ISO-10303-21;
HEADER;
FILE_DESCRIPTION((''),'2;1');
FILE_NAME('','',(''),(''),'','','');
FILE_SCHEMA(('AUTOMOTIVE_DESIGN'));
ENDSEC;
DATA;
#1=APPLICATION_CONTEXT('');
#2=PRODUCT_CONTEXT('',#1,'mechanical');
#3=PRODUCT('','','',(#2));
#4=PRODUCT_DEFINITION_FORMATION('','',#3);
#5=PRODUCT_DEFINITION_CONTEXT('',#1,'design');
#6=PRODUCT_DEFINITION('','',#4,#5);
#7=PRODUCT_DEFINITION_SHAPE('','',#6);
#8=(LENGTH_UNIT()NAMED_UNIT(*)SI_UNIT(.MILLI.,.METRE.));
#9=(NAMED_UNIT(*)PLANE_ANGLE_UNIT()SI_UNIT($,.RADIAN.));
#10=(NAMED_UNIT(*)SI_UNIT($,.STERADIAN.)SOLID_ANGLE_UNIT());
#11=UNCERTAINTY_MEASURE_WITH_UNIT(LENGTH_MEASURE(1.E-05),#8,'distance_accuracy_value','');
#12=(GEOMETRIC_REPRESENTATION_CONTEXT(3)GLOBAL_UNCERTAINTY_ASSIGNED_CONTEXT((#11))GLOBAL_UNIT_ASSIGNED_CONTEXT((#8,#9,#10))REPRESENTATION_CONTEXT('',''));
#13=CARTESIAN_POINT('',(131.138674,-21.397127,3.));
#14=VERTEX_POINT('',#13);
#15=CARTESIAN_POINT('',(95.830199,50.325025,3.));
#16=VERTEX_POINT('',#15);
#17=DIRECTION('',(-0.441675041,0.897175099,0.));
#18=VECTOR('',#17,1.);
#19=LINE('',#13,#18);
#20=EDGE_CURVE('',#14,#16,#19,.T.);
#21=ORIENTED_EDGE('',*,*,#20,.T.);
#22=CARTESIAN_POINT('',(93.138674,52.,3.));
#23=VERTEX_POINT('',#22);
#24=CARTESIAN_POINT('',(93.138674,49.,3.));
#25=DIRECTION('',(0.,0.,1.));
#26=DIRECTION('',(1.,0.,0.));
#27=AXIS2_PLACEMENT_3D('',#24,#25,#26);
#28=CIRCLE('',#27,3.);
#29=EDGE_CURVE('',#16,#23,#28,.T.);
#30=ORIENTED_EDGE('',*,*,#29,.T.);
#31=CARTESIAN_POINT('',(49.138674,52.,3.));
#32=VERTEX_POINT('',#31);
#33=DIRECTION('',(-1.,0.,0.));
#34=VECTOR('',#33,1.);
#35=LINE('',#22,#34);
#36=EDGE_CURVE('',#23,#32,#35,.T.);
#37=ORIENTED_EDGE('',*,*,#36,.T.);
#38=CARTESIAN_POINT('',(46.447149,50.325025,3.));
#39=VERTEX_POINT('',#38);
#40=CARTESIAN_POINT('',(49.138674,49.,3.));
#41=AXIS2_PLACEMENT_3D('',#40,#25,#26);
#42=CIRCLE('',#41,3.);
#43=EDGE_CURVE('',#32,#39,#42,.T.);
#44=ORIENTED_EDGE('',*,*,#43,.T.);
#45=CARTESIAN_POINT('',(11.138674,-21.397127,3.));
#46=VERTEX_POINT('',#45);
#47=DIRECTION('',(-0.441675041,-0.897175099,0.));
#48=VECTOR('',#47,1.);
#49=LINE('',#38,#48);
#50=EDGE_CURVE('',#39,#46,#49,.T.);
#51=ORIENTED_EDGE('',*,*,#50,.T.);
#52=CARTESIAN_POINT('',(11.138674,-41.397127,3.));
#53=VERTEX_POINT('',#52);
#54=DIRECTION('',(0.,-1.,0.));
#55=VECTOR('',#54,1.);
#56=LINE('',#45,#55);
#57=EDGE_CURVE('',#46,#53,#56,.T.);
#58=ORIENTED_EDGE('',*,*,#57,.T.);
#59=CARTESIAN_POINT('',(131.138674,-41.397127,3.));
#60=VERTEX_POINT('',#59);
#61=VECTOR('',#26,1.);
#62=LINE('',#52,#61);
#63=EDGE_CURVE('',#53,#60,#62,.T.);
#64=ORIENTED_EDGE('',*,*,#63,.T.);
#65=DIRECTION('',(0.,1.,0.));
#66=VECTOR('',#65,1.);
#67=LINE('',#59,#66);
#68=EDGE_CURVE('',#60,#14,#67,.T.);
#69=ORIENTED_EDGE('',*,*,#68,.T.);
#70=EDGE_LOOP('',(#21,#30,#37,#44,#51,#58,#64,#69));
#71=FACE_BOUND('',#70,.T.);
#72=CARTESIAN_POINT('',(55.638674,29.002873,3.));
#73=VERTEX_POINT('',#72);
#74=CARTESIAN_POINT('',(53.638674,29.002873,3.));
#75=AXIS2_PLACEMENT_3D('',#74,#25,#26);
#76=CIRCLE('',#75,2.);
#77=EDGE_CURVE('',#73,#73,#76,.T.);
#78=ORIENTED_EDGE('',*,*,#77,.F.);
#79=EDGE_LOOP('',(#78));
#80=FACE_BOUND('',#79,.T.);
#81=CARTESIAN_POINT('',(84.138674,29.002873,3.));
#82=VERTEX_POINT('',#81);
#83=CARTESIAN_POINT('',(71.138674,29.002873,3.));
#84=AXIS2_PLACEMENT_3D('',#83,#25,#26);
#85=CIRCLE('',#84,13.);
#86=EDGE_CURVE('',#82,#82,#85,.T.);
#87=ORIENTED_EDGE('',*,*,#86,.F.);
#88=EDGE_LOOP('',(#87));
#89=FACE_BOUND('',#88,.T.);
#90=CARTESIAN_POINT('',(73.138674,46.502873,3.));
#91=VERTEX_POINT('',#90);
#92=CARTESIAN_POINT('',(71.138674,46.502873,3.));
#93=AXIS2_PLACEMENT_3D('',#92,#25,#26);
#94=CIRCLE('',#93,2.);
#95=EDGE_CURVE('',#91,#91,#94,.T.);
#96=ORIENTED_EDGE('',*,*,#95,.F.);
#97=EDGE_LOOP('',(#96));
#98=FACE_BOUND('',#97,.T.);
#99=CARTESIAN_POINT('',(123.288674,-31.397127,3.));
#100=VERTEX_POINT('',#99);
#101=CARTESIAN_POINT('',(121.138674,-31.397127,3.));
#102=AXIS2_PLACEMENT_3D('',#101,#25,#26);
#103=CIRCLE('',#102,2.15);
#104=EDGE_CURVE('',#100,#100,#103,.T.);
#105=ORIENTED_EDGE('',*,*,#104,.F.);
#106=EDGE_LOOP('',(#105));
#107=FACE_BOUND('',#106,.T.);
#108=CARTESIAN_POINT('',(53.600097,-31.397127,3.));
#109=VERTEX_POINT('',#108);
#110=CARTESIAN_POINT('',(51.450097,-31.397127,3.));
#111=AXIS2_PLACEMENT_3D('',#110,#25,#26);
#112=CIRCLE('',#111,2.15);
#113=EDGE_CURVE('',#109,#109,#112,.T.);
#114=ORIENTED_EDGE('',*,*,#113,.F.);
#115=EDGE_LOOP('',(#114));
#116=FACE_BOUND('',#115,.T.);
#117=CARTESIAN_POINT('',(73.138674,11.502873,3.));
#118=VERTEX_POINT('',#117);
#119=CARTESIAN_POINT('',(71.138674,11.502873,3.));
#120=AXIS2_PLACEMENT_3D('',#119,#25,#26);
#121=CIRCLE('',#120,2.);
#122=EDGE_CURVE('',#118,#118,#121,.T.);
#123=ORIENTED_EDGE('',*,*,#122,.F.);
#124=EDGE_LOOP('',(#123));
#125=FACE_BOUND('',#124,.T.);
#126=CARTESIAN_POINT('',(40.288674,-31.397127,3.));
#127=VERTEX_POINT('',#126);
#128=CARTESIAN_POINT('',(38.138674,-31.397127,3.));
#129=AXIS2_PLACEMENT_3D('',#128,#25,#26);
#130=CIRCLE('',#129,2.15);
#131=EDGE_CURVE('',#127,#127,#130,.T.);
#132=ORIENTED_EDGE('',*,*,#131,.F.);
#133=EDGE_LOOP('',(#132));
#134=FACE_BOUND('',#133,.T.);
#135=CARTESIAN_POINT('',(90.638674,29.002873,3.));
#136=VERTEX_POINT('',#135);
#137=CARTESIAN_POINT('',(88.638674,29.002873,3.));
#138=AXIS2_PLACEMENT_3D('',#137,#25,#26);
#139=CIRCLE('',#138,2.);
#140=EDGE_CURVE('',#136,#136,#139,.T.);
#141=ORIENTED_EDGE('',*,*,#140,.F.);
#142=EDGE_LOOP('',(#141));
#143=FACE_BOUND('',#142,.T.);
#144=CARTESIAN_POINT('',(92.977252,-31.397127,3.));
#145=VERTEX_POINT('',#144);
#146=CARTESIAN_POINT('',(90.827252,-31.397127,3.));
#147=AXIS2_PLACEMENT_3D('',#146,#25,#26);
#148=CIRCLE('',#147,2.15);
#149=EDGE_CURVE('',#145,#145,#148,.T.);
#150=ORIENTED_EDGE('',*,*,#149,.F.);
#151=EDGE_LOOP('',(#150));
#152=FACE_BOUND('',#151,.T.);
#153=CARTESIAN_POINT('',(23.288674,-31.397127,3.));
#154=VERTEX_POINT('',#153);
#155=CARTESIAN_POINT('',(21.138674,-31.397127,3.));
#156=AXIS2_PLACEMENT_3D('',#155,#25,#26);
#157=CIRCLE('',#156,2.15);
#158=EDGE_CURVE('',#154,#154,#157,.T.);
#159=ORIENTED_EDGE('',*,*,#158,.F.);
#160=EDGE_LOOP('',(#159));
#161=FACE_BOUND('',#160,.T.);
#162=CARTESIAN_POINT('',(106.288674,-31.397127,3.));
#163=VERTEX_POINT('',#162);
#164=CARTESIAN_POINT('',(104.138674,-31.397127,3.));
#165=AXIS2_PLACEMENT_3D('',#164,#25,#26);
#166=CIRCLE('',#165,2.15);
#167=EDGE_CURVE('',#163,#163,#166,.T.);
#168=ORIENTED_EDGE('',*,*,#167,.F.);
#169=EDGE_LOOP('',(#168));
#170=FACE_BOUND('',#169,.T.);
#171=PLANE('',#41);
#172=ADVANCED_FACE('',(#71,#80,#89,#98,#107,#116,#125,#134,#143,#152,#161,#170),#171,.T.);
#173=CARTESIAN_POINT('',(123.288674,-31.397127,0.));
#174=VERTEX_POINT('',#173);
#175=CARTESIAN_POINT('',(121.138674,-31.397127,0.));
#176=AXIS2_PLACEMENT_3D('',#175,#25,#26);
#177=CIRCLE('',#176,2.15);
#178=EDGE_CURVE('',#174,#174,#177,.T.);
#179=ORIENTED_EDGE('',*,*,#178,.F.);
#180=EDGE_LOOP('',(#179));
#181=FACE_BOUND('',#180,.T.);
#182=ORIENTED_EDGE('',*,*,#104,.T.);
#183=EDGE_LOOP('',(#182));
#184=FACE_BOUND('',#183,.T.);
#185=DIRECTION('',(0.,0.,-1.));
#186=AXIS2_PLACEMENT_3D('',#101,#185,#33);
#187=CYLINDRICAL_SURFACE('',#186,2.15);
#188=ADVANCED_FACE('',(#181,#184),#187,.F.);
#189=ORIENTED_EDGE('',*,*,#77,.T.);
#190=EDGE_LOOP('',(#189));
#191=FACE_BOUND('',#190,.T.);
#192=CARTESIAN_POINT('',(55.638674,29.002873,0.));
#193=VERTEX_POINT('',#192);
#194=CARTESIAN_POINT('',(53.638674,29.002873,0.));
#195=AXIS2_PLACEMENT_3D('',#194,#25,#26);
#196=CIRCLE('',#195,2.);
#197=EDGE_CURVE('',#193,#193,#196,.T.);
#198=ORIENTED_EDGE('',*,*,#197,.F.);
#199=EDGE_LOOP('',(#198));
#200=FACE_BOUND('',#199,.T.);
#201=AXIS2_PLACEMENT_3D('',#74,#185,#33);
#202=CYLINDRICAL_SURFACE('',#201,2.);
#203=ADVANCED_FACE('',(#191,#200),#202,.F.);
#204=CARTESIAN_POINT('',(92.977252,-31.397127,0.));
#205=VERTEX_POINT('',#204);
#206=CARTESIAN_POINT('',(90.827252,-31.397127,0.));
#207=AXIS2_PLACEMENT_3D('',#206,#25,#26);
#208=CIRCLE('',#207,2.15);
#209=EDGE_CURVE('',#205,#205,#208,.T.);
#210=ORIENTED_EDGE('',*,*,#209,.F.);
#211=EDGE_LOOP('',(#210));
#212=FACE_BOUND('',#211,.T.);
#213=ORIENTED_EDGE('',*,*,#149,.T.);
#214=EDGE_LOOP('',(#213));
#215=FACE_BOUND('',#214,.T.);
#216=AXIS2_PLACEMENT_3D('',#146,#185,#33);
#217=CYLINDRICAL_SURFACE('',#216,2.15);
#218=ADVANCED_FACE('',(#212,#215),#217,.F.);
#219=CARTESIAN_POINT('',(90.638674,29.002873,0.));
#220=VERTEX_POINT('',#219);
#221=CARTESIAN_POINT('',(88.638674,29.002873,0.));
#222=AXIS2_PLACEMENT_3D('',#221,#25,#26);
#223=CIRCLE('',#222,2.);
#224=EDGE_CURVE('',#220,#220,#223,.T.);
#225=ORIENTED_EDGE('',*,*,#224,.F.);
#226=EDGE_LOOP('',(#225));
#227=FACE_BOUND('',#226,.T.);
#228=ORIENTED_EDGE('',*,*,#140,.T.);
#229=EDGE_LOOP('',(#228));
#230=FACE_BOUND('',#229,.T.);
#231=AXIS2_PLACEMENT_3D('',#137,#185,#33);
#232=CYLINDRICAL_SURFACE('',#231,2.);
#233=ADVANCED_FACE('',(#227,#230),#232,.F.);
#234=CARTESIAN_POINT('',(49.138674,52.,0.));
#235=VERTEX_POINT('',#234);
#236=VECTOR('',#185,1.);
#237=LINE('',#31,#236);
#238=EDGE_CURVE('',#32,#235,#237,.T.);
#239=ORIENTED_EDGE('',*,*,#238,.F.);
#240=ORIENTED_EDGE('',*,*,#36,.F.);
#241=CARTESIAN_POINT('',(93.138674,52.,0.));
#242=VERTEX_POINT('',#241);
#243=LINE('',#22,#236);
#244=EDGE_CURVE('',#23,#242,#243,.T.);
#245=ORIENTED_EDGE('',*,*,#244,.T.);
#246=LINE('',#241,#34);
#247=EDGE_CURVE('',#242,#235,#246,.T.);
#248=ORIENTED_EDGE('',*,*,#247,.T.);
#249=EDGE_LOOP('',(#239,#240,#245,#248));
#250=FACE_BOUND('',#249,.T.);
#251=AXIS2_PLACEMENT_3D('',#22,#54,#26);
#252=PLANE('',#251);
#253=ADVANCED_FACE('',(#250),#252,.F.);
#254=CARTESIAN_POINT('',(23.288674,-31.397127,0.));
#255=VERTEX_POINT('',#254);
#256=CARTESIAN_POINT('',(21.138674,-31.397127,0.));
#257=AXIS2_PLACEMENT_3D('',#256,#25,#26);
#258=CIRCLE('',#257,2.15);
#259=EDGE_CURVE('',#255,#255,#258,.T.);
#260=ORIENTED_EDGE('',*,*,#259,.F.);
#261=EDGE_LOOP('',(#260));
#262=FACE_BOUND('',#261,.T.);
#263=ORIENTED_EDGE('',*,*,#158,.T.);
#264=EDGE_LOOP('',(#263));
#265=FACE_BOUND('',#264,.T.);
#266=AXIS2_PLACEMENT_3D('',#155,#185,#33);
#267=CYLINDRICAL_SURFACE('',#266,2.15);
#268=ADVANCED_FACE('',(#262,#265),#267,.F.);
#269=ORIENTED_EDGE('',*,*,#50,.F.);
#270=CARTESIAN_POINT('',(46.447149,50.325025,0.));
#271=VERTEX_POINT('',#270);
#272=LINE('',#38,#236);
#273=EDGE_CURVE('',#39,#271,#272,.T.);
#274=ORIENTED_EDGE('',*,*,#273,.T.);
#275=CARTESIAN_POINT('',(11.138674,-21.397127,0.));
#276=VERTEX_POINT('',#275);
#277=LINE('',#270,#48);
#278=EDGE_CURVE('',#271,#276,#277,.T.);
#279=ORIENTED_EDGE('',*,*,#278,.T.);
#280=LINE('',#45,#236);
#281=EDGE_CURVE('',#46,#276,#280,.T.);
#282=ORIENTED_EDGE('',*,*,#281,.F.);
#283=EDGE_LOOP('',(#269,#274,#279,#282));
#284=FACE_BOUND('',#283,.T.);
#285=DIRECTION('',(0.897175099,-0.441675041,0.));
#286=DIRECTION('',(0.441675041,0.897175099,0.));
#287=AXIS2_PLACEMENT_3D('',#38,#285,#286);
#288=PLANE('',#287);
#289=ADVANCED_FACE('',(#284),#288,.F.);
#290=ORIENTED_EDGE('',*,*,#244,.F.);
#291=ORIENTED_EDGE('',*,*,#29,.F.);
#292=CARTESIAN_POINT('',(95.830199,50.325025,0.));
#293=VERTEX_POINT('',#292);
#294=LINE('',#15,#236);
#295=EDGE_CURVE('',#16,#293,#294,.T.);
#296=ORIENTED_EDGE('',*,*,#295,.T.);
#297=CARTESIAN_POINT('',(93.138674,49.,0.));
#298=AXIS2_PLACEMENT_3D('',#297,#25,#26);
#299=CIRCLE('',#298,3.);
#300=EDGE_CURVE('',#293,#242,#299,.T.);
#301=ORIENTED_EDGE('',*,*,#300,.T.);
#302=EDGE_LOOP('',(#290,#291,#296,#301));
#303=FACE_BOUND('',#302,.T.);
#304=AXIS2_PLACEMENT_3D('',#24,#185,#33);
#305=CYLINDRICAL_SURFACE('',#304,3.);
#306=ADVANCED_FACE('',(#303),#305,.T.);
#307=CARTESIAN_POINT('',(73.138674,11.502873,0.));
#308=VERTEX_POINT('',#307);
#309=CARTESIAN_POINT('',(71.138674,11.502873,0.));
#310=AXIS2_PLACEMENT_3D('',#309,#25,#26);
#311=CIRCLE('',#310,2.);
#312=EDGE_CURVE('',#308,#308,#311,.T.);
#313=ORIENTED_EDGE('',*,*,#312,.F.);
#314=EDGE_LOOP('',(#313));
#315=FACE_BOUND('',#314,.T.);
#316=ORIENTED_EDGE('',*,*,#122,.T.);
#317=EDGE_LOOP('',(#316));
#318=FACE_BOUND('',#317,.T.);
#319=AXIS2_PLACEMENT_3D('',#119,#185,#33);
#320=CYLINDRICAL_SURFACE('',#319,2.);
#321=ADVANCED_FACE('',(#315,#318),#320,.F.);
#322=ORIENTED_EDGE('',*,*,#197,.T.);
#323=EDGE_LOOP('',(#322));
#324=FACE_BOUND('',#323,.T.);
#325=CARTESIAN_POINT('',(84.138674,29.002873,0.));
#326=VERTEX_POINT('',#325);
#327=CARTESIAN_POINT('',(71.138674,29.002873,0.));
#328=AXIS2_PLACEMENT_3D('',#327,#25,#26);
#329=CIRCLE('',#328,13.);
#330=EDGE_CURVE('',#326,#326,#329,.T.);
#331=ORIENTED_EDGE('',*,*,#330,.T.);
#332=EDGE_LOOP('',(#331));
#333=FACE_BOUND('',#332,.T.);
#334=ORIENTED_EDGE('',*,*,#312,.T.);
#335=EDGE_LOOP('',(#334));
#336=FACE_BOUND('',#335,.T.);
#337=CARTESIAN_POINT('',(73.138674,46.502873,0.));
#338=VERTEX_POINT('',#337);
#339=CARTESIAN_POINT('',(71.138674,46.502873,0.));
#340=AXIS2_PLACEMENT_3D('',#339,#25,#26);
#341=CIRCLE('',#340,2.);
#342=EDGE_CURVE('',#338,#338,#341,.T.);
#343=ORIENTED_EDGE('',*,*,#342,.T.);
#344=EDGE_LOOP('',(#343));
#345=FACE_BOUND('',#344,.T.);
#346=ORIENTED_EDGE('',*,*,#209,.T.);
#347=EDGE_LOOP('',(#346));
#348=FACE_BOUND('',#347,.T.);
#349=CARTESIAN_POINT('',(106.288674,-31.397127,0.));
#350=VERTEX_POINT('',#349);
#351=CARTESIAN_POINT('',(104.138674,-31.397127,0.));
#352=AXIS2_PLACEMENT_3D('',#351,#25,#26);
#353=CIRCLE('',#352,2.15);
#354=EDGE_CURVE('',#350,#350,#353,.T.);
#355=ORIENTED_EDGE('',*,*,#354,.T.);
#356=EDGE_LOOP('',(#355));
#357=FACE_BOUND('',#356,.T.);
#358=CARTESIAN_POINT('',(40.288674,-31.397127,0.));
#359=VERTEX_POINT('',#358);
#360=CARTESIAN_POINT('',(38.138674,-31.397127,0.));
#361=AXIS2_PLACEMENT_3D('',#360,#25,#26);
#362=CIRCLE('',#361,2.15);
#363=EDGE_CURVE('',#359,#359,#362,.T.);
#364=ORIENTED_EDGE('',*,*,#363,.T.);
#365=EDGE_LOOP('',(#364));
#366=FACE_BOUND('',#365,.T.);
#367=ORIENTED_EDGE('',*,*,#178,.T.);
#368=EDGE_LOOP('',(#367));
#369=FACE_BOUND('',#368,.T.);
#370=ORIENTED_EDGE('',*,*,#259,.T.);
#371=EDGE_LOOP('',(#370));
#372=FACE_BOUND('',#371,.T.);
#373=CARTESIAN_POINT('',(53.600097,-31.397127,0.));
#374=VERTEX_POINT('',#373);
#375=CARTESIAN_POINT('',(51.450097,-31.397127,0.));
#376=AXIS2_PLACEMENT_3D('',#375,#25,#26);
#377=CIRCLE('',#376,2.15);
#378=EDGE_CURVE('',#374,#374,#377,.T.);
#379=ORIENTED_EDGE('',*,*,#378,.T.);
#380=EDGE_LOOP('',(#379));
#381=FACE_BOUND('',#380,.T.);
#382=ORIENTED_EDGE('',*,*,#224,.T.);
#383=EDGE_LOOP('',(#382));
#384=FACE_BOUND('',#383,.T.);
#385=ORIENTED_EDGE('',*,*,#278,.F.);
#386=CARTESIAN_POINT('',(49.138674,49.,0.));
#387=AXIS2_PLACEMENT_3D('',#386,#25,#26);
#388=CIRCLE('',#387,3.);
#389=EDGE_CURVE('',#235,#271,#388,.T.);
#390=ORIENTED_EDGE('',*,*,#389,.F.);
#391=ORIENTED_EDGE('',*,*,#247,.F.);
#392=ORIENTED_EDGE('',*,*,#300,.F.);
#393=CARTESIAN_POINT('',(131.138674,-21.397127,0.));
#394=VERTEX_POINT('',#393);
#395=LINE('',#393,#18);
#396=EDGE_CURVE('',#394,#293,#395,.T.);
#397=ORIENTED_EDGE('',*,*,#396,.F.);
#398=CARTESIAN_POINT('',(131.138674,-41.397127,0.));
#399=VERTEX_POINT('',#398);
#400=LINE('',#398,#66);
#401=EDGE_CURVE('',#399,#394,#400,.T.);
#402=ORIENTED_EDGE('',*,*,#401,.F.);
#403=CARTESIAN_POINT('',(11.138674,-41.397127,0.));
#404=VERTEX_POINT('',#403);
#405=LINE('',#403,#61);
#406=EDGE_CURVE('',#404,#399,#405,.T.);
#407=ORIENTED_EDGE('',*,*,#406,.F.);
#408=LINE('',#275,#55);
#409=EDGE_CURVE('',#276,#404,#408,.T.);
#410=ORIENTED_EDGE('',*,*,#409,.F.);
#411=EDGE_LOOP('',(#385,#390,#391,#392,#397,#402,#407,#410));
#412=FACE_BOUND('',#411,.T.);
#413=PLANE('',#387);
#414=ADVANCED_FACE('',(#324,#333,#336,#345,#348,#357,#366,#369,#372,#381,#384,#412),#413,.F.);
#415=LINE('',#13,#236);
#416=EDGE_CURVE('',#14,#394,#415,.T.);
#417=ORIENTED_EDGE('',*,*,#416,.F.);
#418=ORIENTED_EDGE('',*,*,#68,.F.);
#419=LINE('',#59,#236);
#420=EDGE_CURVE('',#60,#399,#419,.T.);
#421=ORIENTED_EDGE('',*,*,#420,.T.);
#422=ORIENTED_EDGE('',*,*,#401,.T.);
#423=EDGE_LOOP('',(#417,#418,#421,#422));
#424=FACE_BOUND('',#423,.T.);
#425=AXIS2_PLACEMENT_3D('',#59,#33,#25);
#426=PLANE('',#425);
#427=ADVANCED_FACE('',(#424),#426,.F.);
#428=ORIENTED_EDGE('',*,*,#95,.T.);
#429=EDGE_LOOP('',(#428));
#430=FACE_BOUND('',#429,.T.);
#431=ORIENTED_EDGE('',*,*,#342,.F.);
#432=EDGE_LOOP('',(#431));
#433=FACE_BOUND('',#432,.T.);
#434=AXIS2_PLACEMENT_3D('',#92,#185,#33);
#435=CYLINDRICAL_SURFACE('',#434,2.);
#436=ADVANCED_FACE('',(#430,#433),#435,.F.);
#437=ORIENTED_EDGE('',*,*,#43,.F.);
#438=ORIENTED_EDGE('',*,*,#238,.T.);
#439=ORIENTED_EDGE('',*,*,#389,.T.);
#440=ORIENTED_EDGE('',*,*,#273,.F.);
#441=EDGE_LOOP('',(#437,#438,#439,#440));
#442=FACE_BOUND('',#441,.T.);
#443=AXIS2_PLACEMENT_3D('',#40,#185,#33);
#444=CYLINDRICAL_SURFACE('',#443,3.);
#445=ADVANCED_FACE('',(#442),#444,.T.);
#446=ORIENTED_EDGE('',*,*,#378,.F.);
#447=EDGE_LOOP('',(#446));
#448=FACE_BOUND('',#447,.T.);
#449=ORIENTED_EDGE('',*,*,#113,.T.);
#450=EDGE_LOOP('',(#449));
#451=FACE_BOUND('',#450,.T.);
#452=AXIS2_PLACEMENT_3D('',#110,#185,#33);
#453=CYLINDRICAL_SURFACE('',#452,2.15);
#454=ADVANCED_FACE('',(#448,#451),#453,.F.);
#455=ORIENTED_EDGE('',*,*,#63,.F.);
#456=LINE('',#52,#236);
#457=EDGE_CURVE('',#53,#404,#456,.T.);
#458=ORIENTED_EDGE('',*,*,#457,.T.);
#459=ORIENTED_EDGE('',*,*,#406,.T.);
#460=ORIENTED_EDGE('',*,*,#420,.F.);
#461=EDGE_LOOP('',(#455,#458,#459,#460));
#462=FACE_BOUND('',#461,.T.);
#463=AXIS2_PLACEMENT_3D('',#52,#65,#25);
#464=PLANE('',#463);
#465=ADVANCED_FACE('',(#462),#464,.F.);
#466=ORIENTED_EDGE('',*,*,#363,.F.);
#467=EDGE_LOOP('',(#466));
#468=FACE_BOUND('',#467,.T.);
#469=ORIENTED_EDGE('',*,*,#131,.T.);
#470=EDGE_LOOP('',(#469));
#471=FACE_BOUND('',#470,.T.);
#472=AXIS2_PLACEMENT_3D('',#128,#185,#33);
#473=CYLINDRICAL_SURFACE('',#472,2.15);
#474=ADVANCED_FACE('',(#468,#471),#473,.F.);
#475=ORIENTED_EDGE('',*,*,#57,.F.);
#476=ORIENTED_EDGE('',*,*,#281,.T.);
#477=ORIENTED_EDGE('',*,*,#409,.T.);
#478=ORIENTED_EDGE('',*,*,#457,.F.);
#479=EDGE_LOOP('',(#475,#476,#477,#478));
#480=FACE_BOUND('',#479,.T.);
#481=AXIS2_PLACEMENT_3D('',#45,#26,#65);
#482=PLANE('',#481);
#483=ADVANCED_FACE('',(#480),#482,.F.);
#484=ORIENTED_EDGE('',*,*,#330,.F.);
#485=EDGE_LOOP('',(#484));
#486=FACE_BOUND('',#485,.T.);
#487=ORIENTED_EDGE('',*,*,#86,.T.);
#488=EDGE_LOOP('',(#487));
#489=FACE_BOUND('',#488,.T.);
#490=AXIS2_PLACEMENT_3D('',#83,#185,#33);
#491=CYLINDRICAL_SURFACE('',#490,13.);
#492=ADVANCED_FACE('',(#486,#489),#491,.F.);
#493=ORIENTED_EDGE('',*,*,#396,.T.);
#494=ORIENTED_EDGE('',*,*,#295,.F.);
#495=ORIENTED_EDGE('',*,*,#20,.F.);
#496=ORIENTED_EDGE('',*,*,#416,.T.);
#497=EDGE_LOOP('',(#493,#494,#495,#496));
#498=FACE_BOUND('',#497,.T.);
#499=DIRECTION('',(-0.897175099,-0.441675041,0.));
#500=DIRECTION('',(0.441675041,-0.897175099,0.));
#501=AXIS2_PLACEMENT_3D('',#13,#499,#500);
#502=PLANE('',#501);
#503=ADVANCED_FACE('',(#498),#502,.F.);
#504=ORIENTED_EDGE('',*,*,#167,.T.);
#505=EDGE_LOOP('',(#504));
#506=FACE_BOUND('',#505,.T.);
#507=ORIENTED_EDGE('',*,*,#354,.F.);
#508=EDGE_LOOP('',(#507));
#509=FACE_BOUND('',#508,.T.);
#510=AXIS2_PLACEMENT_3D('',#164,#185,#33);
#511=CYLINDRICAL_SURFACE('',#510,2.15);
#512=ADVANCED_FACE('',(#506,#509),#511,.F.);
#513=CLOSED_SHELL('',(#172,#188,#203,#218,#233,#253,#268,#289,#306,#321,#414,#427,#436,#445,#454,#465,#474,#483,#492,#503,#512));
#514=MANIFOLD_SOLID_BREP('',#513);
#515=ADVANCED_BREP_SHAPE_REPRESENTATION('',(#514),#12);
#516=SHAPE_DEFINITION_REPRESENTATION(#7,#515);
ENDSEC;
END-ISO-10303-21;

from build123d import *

# Parameters (mm, degrees)
SKETCH1_R      = 2.15
EXTRUDE1_DEPTH = 3


with BuildPart() as part:
    # Sketch1 → Extrude1 (new body)
    with BuildSketch(Plane.XY):
        with BuildLine():
            Line((46.447148798, 50.325025124), (11.138674094, -21.397126503))
            Line((11.138674094, -21.397126503), (11.138674094, -41.397126503))
            Line((11.138674094, -41.397126503), (131.138674094, -41.397126503))
            Line((131.138674094, -41.397126503), (131.138674094, -21.397126503))
            Line((131.138674094, -21.397126503), (95.830199391, 50.325025124))
            ThreePointArc((95.830199391, 50.325025124), (94.723748955, 51.547064523), (93.138674094, 52))
            Line((93.138674094, 52), (49.138674094, 52))
            ThreePointArc((49.138674094, 52), (47.553599234, 51.547064523), (46.447148798, 50.325025124))
        make_face()
        with Locations((21.138674094, -31.397126503)):
            Circle(SKETCH1_R, mode=Mode.SUBTRACT)
        with Locations((121.138674094, -31.397126503)):
            Circle(SKETCH1_R, mode=Mode.SUBTRACT)
        with Locations((104.138674094, -31.397126503)):
            Circle(SKETCH1_R, mode=Mode.SUBTRACT)
        with Locations((90.827251635, -31.397126503)):
            Circle(SKETCH1_R, mode=Mode.SUBTRACT)
        with Locations((51.450096554, -31.397126503)):
            Circle(SKETCH1_R, mode=Mode.SUBTRACT)
        with Locations((38.138674094, -31.397126503)):
            Circle(SKETCH1_R, mode=Mode.SUBTRACT)
        with BuildLine():
            ThreePointArc((69.138674094, 11.502873497), (71.138674094, 9.502873497), (73.138674094, 11.502873497))
            ThreePointArc((73.138674094, 11.502873497), (71.138674094, 13.502873497), (69.138674094, 11.502873497))
        make_face(mode=Mode.SUBTRACT)
        with BuildLine():
            ThreePointArc((51.638674094, 29.002873497), (53.638674094, 27.002873497), (55.638674094, 29.002873497))
            ThreePointArc((55.638674094, 29.002873497), (53.638674094, 31.002873497), (51.638674094, 29.002873497))
        make_face(mode=Mode.SUBTRACT)
        with BuildLine():
            ThreePointArc((69.138674094, 46.502873497), (71.138674094, 44.502873497), (73.138674094, 46.502873497))
            ThreePointArc((73.138674094, 46.502873497), (71.138674094, 48.502873497), (69.138674094, 46.502873497))
        make_face(mode=Mode.SUBTRACT)
        with BuildLine():
            ThreePointArc((86.638674094, 29.002873497), (88.638674094, 27.002873497), (90.638674094, 29.002873497))
            ThreePointArc((90.638674094, 29.002873497), (88.638674094, 31.002873497), (86.638674094, 29.002873497))
        make_face(mode=Mode.SUBTRACT)
        with BuildLine():
            ThreePointArc((58.138674094, 29.002873497), (71.138674094, 16.002873497), (84.138674094, 29.002873497))
            ThreePointArc((84.138674094, 29.002873497), (71.138674094, 42.002873497), (58.138674094, 29.002873497))
        make_face(mode=Mode.SUBTRACT)
    extrude(amount=EXTRUDE1_DEPTH)


solid = part.part
